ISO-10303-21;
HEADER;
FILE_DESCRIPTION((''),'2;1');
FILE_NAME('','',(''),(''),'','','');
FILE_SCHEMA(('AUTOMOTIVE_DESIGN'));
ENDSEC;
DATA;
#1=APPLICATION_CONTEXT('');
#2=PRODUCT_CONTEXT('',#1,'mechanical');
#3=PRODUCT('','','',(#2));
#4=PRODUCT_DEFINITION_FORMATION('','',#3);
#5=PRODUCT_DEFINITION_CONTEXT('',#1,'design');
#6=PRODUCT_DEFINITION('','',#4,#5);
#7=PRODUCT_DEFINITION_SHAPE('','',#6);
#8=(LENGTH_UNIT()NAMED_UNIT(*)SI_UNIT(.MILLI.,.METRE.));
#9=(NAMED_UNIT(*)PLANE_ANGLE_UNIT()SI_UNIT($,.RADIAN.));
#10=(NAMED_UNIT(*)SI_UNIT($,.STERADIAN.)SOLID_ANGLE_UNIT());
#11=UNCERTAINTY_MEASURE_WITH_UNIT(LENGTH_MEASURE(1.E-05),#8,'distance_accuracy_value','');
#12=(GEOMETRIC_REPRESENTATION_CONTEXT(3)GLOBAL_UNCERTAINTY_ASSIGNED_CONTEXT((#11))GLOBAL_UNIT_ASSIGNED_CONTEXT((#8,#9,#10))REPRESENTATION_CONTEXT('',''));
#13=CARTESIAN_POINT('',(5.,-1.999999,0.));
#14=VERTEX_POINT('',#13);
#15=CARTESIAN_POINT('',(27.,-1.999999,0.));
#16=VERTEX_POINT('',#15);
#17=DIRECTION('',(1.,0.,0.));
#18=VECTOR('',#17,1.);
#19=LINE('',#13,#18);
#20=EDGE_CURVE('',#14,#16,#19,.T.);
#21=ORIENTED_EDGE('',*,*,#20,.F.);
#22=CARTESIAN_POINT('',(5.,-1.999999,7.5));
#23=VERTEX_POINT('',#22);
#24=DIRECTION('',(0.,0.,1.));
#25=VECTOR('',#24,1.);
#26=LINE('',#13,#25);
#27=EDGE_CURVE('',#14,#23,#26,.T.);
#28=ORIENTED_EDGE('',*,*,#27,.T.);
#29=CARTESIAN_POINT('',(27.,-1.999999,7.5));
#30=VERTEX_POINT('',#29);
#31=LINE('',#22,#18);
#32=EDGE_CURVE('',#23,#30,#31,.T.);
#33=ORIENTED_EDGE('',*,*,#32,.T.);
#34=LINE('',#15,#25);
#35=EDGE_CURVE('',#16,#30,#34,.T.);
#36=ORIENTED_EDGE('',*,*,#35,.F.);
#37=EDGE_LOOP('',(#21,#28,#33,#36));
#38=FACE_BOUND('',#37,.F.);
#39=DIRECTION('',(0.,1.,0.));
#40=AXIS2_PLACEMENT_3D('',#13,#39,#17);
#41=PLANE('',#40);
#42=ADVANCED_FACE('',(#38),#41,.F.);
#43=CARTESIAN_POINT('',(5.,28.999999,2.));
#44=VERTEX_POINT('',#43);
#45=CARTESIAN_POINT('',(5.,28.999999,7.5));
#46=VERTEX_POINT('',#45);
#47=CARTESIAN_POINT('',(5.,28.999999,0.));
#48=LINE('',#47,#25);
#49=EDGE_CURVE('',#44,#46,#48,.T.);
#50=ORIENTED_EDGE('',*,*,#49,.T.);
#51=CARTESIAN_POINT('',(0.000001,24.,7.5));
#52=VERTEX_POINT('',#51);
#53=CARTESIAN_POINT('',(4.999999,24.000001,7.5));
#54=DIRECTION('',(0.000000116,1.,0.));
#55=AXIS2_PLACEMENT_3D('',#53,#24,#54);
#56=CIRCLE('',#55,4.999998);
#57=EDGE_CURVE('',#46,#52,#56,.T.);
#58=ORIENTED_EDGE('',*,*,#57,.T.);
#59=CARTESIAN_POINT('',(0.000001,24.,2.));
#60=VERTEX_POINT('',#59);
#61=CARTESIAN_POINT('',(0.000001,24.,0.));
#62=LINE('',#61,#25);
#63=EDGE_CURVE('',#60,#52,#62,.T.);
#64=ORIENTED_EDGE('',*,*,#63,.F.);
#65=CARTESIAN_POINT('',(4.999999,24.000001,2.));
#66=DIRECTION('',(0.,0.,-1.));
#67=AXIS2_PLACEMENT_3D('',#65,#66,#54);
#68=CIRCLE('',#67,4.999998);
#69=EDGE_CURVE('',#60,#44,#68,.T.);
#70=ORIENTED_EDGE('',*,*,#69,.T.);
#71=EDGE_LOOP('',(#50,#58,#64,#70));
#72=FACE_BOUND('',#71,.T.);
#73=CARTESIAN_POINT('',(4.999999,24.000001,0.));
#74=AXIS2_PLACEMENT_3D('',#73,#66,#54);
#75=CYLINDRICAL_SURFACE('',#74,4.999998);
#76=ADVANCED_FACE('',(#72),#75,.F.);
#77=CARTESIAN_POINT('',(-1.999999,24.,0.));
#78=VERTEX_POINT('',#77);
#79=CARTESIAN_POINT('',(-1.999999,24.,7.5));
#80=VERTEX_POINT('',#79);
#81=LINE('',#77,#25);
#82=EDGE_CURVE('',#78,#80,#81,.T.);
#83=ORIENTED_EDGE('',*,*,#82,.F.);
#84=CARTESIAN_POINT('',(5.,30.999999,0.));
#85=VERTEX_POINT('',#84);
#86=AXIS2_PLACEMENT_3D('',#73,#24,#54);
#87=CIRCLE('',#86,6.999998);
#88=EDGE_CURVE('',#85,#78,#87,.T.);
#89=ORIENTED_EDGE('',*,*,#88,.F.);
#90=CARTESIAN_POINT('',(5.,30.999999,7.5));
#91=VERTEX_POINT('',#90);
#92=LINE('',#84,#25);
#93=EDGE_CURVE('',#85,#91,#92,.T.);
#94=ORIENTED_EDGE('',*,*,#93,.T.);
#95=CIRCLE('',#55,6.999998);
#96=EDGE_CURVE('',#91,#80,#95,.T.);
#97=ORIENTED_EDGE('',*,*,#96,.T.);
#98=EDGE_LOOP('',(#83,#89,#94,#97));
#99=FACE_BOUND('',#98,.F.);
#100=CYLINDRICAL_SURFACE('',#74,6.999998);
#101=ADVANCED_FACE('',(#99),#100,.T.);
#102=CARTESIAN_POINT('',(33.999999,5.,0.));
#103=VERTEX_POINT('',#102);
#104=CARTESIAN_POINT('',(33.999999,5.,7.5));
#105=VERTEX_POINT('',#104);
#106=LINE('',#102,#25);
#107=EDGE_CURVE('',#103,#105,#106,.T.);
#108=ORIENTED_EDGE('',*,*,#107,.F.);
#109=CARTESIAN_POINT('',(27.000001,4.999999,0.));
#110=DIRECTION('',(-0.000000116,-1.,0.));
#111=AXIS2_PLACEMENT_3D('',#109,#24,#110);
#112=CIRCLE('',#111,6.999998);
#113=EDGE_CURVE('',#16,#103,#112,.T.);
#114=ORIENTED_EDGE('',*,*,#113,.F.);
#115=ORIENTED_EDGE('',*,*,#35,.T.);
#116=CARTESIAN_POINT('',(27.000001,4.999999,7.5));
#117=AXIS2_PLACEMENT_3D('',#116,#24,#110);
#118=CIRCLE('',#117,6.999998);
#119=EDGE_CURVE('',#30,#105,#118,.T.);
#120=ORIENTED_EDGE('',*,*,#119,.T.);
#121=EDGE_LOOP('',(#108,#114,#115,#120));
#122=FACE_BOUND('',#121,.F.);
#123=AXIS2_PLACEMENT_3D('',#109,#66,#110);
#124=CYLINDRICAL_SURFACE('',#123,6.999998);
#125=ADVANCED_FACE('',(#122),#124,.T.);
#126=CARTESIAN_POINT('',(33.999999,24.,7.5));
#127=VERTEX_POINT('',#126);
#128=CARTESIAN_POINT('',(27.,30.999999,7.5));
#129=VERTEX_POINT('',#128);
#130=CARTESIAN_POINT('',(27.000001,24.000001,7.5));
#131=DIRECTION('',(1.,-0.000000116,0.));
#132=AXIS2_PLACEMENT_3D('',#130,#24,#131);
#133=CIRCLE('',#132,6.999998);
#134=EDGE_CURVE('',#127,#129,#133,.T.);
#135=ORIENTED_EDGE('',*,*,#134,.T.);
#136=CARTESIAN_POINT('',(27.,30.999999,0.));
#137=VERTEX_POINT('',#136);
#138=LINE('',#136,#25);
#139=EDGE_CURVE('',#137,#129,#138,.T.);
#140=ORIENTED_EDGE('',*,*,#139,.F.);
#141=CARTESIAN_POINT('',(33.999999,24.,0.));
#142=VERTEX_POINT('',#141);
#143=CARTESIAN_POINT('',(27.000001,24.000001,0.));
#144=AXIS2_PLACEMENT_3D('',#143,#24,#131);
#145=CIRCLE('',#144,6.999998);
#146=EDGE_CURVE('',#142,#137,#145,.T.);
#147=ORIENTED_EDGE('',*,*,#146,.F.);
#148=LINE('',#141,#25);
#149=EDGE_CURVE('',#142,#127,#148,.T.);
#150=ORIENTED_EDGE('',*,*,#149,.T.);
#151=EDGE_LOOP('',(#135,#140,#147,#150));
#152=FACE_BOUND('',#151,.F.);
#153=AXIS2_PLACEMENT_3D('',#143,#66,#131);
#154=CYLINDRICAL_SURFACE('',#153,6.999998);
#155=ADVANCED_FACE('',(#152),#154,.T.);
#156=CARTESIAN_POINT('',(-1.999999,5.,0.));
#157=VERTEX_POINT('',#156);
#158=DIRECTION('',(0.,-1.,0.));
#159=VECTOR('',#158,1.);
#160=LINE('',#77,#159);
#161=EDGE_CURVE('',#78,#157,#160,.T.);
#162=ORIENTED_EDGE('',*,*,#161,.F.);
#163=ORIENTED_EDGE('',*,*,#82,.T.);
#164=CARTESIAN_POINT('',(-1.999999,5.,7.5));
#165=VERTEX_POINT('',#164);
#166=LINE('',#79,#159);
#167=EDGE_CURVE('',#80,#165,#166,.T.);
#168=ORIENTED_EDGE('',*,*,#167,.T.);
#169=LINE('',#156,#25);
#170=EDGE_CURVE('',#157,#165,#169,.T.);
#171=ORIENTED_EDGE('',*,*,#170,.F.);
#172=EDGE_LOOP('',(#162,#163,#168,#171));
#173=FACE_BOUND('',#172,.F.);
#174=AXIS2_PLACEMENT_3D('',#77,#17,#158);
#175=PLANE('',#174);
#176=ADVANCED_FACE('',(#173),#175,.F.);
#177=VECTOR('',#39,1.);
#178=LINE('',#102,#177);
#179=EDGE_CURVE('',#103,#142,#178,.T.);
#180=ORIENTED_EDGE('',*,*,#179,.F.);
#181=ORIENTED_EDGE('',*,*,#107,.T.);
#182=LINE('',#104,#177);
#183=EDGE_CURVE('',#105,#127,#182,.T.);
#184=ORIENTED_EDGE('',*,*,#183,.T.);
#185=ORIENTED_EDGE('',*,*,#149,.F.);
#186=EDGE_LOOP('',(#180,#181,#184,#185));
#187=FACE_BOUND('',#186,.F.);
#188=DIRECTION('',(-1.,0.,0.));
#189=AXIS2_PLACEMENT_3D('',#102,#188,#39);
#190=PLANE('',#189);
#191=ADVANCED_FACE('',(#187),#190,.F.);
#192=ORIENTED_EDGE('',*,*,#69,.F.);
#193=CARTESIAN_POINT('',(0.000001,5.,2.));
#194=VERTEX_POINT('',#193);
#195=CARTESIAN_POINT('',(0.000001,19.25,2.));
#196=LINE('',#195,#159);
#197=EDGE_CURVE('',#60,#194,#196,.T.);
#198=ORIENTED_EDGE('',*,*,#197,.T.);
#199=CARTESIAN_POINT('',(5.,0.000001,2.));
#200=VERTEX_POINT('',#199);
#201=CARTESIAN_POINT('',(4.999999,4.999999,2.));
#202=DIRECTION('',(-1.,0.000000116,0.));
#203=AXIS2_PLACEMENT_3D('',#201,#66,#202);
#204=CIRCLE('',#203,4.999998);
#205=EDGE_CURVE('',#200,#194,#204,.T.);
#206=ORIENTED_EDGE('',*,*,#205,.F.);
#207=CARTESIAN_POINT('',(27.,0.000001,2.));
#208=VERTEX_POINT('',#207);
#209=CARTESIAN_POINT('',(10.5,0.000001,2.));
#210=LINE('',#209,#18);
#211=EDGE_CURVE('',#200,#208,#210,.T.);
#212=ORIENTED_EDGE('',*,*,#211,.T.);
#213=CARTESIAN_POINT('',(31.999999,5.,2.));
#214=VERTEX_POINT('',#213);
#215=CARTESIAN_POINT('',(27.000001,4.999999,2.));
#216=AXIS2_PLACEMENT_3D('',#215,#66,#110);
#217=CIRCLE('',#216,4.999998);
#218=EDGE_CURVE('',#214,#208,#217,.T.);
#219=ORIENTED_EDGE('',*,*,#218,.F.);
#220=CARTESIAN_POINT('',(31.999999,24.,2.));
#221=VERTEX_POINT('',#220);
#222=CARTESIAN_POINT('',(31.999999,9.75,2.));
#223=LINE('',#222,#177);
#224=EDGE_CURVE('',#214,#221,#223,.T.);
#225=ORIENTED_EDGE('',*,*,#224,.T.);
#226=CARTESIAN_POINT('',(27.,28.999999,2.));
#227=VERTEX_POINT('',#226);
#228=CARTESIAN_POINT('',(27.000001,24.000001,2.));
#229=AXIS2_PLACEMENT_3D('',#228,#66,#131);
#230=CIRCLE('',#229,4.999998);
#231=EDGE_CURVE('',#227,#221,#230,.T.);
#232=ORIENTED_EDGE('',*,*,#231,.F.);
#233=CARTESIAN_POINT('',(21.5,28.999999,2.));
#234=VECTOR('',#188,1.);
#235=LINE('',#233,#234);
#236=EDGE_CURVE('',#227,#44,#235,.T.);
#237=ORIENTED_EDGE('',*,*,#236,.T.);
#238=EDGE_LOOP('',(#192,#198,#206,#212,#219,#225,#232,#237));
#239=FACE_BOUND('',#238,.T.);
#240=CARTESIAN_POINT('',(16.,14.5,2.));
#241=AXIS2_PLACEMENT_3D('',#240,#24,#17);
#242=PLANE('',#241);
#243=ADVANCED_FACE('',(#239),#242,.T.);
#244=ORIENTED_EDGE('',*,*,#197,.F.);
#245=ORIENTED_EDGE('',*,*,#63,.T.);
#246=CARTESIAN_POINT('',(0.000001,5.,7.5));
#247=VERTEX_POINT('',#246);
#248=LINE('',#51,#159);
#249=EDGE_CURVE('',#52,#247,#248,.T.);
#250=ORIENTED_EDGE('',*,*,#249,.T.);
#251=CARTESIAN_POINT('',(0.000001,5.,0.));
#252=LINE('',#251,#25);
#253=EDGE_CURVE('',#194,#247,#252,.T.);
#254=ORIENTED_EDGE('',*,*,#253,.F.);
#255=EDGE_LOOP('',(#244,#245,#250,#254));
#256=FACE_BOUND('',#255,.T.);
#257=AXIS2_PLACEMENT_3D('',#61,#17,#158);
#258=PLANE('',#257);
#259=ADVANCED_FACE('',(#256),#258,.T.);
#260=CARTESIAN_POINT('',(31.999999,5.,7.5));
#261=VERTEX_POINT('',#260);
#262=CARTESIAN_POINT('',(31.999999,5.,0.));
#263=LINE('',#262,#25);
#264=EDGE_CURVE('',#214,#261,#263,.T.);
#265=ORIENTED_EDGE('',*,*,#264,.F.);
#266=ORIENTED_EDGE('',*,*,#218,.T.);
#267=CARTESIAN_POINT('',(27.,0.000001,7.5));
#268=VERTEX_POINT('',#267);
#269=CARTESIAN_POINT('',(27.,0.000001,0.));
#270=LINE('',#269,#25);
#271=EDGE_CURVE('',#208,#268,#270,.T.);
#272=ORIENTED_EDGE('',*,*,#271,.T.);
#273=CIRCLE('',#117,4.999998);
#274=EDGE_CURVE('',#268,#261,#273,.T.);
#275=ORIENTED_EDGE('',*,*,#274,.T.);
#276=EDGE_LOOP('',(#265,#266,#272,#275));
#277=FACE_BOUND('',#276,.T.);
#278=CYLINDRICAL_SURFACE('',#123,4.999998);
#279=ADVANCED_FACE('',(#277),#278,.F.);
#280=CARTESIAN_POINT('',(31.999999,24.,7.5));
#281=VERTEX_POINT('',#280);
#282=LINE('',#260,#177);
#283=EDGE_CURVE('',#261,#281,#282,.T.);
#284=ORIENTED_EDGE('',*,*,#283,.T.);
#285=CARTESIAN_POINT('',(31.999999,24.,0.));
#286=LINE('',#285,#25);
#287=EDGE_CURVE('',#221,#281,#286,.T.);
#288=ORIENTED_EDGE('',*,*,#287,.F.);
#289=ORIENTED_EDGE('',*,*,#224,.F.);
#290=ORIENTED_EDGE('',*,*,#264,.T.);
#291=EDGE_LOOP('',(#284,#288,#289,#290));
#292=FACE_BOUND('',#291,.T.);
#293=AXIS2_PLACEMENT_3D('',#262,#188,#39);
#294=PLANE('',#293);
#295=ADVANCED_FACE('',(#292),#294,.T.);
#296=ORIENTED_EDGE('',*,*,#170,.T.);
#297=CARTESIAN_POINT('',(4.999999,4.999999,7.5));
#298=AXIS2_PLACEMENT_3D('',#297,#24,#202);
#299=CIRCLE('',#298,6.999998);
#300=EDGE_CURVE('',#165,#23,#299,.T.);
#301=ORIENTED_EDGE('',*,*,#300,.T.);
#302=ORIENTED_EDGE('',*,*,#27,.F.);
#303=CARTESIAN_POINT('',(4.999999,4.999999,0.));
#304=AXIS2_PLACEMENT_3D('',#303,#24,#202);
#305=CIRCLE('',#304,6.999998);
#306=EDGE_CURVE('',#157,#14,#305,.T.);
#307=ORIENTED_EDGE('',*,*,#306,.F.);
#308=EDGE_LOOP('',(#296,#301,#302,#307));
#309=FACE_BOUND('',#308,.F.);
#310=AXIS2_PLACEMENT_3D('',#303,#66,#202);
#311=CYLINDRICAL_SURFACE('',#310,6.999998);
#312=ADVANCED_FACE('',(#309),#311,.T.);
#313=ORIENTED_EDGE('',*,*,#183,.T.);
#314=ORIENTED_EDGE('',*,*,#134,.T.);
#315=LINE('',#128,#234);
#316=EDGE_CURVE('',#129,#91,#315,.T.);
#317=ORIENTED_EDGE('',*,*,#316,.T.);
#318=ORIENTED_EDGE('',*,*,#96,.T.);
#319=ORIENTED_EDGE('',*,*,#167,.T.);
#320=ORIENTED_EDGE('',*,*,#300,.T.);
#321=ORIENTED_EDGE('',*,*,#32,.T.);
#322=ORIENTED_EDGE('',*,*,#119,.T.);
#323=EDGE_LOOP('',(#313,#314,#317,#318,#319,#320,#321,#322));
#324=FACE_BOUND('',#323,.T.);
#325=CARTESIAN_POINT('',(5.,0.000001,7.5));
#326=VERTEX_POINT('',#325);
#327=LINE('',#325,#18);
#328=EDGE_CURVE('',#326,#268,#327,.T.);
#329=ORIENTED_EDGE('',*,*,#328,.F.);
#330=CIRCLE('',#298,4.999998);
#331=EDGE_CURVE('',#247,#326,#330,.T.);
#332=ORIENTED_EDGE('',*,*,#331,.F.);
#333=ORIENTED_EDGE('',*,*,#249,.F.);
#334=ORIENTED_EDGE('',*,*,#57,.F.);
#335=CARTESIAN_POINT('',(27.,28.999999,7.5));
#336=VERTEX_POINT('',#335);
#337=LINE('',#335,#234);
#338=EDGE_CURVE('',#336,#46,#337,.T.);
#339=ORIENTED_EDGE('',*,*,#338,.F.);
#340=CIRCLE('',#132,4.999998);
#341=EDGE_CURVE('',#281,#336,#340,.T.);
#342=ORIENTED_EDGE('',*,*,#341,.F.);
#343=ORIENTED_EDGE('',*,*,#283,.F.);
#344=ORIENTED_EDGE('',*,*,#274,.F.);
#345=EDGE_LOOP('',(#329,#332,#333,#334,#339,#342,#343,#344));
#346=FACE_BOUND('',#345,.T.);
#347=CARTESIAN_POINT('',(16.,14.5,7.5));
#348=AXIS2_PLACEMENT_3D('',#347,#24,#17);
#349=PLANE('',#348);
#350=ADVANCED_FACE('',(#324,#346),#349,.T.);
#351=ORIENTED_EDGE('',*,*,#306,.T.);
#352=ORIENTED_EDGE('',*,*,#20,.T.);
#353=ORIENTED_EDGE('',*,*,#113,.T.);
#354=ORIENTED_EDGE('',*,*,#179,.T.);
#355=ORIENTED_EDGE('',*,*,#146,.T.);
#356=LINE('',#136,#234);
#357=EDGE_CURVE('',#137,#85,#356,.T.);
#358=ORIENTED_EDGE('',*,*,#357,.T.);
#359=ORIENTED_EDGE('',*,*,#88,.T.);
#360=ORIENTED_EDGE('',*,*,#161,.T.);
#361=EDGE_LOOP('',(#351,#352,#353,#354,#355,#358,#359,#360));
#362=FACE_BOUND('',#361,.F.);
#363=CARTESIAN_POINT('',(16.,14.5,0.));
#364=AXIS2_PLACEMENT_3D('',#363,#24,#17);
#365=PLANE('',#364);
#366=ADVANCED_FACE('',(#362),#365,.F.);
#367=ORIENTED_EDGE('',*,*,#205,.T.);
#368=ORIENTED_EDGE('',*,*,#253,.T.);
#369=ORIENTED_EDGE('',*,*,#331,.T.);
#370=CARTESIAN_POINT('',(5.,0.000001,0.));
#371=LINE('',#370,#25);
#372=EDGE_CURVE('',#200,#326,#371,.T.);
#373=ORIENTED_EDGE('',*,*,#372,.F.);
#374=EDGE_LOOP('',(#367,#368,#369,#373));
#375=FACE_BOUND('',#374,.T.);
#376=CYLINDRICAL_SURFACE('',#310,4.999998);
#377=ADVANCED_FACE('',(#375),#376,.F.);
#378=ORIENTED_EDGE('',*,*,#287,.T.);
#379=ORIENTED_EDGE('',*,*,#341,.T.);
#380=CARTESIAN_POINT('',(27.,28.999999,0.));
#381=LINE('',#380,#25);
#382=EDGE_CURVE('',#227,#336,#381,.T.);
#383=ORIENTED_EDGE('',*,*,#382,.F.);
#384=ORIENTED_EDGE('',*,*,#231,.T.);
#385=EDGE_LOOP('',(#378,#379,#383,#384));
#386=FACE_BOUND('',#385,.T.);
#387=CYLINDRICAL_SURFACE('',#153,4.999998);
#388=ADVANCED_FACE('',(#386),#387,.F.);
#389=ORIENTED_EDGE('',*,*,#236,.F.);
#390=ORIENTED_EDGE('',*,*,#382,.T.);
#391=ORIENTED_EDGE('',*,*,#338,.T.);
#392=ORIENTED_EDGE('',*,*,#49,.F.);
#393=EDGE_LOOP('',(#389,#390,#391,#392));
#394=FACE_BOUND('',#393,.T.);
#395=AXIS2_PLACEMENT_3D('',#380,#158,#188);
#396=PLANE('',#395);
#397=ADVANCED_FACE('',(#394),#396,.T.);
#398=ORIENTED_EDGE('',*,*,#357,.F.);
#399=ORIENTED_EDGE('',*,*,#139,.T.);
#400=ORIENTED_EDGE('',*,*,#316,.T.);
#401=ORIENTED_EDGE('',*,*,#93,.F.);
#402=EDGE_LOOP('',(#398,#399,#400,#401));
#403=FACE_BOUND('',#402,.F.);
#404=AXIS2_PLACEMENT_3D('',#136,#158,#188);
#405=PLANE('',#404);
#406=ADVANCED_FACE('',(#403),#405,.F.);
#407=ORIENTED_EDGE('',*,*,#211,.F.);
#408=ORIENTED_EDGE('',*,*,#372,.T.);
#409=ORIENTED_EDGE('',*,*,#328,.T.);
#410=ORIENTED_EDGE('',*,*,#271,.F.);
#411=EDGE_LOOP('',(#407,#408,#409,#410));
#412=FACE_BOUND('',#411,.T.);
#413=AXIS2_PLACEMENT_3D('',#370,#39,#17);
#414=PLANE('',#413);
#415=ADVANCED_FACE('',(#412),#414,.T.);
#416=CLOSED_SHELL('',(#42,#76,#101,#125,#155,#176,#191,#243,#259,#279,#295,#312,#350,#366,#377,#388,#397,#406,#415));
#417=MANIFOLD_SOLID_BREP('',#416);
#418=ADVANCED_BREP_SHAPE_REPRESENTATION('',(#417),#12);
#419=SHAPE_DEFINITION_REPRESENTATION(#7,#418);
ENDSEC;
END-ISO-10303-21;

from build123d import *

# Parameters (mm, degrees)
F1_DEPTH = 7.5
F2_T     = -2


with BuildPart() as f1:
    # F0 (on Top) → F1 (new body)
    with BuildSketch(Plane.XY):
        with BuildLine():
            Line((27, 30.999999), (5, 30.999999))
            ThreePointArc((5, 30.999999), (0.050253, 28.949747), (-1.999999, 24))
            Line((-1.999999, 24), (-1.999999, 5))
            ThreePointArc((-1.999999, 5), (0.050253, 0.050253), (5, -1.999999))
            Line((5, -1.999999), (27, -1.999999))
            ThreePointArc((27, -1.999999), (31.949747, 0.050253), (33.999999, 5))
            Line((33.999999, 5), (33.999999, 24))
            ThreePointArc((33.999999, 24), (31.949747, 28.949747), (27, 30.999999))
        make_face()
        with BuildLine():
            Line((27, 0), (5, 0))
            ThreePointArc((5, 0), (1.464466, 1.464466), (0, 5))
            Line((0, 5), (0, 24))
            ThreePointArc((0, 24), (1.464466, 27.535534), (5, 29))
            Line((5, 29), (27, 29))
            ThreePointArc((27, 29), (30.535534, 27.535534), (32, 24))
            Line((32, 24), (32, 5))
            ThreePointArc((32, 5), (30.535534, 1.464466), (27, 0))
        make_face(mode=Mode.SUBTRACT)
        with BuildLine():
            ThreePointArc((0, 5), (1.464466, 1.464466), (5, 0))
            Line((5, 0), (27, 0))
            ThreePointArc((27, 0), (30.535534, 1.464466), (32, 5))
            Line((32, 5), (32, 24))
            ThreePointArc((32, 24), (30.535534, 27.535534), (27, 29))
            Line((27, 29), (5, 29))
            ThreePointArc((5, 29), (1.464466, 27.535534), (0, 24))
            Line((0, 24), (0, 5))
        make_face()
    extrude(amount=F1_DEPTH)

    # F2
    f2_openings = [f1.faces().sort_by_distance(p)[0] for p in [
        (16, 14.5, 7.5),
    ]]
    offset(amount=F2_T, openings=f2_openings)


solid = f1.part
